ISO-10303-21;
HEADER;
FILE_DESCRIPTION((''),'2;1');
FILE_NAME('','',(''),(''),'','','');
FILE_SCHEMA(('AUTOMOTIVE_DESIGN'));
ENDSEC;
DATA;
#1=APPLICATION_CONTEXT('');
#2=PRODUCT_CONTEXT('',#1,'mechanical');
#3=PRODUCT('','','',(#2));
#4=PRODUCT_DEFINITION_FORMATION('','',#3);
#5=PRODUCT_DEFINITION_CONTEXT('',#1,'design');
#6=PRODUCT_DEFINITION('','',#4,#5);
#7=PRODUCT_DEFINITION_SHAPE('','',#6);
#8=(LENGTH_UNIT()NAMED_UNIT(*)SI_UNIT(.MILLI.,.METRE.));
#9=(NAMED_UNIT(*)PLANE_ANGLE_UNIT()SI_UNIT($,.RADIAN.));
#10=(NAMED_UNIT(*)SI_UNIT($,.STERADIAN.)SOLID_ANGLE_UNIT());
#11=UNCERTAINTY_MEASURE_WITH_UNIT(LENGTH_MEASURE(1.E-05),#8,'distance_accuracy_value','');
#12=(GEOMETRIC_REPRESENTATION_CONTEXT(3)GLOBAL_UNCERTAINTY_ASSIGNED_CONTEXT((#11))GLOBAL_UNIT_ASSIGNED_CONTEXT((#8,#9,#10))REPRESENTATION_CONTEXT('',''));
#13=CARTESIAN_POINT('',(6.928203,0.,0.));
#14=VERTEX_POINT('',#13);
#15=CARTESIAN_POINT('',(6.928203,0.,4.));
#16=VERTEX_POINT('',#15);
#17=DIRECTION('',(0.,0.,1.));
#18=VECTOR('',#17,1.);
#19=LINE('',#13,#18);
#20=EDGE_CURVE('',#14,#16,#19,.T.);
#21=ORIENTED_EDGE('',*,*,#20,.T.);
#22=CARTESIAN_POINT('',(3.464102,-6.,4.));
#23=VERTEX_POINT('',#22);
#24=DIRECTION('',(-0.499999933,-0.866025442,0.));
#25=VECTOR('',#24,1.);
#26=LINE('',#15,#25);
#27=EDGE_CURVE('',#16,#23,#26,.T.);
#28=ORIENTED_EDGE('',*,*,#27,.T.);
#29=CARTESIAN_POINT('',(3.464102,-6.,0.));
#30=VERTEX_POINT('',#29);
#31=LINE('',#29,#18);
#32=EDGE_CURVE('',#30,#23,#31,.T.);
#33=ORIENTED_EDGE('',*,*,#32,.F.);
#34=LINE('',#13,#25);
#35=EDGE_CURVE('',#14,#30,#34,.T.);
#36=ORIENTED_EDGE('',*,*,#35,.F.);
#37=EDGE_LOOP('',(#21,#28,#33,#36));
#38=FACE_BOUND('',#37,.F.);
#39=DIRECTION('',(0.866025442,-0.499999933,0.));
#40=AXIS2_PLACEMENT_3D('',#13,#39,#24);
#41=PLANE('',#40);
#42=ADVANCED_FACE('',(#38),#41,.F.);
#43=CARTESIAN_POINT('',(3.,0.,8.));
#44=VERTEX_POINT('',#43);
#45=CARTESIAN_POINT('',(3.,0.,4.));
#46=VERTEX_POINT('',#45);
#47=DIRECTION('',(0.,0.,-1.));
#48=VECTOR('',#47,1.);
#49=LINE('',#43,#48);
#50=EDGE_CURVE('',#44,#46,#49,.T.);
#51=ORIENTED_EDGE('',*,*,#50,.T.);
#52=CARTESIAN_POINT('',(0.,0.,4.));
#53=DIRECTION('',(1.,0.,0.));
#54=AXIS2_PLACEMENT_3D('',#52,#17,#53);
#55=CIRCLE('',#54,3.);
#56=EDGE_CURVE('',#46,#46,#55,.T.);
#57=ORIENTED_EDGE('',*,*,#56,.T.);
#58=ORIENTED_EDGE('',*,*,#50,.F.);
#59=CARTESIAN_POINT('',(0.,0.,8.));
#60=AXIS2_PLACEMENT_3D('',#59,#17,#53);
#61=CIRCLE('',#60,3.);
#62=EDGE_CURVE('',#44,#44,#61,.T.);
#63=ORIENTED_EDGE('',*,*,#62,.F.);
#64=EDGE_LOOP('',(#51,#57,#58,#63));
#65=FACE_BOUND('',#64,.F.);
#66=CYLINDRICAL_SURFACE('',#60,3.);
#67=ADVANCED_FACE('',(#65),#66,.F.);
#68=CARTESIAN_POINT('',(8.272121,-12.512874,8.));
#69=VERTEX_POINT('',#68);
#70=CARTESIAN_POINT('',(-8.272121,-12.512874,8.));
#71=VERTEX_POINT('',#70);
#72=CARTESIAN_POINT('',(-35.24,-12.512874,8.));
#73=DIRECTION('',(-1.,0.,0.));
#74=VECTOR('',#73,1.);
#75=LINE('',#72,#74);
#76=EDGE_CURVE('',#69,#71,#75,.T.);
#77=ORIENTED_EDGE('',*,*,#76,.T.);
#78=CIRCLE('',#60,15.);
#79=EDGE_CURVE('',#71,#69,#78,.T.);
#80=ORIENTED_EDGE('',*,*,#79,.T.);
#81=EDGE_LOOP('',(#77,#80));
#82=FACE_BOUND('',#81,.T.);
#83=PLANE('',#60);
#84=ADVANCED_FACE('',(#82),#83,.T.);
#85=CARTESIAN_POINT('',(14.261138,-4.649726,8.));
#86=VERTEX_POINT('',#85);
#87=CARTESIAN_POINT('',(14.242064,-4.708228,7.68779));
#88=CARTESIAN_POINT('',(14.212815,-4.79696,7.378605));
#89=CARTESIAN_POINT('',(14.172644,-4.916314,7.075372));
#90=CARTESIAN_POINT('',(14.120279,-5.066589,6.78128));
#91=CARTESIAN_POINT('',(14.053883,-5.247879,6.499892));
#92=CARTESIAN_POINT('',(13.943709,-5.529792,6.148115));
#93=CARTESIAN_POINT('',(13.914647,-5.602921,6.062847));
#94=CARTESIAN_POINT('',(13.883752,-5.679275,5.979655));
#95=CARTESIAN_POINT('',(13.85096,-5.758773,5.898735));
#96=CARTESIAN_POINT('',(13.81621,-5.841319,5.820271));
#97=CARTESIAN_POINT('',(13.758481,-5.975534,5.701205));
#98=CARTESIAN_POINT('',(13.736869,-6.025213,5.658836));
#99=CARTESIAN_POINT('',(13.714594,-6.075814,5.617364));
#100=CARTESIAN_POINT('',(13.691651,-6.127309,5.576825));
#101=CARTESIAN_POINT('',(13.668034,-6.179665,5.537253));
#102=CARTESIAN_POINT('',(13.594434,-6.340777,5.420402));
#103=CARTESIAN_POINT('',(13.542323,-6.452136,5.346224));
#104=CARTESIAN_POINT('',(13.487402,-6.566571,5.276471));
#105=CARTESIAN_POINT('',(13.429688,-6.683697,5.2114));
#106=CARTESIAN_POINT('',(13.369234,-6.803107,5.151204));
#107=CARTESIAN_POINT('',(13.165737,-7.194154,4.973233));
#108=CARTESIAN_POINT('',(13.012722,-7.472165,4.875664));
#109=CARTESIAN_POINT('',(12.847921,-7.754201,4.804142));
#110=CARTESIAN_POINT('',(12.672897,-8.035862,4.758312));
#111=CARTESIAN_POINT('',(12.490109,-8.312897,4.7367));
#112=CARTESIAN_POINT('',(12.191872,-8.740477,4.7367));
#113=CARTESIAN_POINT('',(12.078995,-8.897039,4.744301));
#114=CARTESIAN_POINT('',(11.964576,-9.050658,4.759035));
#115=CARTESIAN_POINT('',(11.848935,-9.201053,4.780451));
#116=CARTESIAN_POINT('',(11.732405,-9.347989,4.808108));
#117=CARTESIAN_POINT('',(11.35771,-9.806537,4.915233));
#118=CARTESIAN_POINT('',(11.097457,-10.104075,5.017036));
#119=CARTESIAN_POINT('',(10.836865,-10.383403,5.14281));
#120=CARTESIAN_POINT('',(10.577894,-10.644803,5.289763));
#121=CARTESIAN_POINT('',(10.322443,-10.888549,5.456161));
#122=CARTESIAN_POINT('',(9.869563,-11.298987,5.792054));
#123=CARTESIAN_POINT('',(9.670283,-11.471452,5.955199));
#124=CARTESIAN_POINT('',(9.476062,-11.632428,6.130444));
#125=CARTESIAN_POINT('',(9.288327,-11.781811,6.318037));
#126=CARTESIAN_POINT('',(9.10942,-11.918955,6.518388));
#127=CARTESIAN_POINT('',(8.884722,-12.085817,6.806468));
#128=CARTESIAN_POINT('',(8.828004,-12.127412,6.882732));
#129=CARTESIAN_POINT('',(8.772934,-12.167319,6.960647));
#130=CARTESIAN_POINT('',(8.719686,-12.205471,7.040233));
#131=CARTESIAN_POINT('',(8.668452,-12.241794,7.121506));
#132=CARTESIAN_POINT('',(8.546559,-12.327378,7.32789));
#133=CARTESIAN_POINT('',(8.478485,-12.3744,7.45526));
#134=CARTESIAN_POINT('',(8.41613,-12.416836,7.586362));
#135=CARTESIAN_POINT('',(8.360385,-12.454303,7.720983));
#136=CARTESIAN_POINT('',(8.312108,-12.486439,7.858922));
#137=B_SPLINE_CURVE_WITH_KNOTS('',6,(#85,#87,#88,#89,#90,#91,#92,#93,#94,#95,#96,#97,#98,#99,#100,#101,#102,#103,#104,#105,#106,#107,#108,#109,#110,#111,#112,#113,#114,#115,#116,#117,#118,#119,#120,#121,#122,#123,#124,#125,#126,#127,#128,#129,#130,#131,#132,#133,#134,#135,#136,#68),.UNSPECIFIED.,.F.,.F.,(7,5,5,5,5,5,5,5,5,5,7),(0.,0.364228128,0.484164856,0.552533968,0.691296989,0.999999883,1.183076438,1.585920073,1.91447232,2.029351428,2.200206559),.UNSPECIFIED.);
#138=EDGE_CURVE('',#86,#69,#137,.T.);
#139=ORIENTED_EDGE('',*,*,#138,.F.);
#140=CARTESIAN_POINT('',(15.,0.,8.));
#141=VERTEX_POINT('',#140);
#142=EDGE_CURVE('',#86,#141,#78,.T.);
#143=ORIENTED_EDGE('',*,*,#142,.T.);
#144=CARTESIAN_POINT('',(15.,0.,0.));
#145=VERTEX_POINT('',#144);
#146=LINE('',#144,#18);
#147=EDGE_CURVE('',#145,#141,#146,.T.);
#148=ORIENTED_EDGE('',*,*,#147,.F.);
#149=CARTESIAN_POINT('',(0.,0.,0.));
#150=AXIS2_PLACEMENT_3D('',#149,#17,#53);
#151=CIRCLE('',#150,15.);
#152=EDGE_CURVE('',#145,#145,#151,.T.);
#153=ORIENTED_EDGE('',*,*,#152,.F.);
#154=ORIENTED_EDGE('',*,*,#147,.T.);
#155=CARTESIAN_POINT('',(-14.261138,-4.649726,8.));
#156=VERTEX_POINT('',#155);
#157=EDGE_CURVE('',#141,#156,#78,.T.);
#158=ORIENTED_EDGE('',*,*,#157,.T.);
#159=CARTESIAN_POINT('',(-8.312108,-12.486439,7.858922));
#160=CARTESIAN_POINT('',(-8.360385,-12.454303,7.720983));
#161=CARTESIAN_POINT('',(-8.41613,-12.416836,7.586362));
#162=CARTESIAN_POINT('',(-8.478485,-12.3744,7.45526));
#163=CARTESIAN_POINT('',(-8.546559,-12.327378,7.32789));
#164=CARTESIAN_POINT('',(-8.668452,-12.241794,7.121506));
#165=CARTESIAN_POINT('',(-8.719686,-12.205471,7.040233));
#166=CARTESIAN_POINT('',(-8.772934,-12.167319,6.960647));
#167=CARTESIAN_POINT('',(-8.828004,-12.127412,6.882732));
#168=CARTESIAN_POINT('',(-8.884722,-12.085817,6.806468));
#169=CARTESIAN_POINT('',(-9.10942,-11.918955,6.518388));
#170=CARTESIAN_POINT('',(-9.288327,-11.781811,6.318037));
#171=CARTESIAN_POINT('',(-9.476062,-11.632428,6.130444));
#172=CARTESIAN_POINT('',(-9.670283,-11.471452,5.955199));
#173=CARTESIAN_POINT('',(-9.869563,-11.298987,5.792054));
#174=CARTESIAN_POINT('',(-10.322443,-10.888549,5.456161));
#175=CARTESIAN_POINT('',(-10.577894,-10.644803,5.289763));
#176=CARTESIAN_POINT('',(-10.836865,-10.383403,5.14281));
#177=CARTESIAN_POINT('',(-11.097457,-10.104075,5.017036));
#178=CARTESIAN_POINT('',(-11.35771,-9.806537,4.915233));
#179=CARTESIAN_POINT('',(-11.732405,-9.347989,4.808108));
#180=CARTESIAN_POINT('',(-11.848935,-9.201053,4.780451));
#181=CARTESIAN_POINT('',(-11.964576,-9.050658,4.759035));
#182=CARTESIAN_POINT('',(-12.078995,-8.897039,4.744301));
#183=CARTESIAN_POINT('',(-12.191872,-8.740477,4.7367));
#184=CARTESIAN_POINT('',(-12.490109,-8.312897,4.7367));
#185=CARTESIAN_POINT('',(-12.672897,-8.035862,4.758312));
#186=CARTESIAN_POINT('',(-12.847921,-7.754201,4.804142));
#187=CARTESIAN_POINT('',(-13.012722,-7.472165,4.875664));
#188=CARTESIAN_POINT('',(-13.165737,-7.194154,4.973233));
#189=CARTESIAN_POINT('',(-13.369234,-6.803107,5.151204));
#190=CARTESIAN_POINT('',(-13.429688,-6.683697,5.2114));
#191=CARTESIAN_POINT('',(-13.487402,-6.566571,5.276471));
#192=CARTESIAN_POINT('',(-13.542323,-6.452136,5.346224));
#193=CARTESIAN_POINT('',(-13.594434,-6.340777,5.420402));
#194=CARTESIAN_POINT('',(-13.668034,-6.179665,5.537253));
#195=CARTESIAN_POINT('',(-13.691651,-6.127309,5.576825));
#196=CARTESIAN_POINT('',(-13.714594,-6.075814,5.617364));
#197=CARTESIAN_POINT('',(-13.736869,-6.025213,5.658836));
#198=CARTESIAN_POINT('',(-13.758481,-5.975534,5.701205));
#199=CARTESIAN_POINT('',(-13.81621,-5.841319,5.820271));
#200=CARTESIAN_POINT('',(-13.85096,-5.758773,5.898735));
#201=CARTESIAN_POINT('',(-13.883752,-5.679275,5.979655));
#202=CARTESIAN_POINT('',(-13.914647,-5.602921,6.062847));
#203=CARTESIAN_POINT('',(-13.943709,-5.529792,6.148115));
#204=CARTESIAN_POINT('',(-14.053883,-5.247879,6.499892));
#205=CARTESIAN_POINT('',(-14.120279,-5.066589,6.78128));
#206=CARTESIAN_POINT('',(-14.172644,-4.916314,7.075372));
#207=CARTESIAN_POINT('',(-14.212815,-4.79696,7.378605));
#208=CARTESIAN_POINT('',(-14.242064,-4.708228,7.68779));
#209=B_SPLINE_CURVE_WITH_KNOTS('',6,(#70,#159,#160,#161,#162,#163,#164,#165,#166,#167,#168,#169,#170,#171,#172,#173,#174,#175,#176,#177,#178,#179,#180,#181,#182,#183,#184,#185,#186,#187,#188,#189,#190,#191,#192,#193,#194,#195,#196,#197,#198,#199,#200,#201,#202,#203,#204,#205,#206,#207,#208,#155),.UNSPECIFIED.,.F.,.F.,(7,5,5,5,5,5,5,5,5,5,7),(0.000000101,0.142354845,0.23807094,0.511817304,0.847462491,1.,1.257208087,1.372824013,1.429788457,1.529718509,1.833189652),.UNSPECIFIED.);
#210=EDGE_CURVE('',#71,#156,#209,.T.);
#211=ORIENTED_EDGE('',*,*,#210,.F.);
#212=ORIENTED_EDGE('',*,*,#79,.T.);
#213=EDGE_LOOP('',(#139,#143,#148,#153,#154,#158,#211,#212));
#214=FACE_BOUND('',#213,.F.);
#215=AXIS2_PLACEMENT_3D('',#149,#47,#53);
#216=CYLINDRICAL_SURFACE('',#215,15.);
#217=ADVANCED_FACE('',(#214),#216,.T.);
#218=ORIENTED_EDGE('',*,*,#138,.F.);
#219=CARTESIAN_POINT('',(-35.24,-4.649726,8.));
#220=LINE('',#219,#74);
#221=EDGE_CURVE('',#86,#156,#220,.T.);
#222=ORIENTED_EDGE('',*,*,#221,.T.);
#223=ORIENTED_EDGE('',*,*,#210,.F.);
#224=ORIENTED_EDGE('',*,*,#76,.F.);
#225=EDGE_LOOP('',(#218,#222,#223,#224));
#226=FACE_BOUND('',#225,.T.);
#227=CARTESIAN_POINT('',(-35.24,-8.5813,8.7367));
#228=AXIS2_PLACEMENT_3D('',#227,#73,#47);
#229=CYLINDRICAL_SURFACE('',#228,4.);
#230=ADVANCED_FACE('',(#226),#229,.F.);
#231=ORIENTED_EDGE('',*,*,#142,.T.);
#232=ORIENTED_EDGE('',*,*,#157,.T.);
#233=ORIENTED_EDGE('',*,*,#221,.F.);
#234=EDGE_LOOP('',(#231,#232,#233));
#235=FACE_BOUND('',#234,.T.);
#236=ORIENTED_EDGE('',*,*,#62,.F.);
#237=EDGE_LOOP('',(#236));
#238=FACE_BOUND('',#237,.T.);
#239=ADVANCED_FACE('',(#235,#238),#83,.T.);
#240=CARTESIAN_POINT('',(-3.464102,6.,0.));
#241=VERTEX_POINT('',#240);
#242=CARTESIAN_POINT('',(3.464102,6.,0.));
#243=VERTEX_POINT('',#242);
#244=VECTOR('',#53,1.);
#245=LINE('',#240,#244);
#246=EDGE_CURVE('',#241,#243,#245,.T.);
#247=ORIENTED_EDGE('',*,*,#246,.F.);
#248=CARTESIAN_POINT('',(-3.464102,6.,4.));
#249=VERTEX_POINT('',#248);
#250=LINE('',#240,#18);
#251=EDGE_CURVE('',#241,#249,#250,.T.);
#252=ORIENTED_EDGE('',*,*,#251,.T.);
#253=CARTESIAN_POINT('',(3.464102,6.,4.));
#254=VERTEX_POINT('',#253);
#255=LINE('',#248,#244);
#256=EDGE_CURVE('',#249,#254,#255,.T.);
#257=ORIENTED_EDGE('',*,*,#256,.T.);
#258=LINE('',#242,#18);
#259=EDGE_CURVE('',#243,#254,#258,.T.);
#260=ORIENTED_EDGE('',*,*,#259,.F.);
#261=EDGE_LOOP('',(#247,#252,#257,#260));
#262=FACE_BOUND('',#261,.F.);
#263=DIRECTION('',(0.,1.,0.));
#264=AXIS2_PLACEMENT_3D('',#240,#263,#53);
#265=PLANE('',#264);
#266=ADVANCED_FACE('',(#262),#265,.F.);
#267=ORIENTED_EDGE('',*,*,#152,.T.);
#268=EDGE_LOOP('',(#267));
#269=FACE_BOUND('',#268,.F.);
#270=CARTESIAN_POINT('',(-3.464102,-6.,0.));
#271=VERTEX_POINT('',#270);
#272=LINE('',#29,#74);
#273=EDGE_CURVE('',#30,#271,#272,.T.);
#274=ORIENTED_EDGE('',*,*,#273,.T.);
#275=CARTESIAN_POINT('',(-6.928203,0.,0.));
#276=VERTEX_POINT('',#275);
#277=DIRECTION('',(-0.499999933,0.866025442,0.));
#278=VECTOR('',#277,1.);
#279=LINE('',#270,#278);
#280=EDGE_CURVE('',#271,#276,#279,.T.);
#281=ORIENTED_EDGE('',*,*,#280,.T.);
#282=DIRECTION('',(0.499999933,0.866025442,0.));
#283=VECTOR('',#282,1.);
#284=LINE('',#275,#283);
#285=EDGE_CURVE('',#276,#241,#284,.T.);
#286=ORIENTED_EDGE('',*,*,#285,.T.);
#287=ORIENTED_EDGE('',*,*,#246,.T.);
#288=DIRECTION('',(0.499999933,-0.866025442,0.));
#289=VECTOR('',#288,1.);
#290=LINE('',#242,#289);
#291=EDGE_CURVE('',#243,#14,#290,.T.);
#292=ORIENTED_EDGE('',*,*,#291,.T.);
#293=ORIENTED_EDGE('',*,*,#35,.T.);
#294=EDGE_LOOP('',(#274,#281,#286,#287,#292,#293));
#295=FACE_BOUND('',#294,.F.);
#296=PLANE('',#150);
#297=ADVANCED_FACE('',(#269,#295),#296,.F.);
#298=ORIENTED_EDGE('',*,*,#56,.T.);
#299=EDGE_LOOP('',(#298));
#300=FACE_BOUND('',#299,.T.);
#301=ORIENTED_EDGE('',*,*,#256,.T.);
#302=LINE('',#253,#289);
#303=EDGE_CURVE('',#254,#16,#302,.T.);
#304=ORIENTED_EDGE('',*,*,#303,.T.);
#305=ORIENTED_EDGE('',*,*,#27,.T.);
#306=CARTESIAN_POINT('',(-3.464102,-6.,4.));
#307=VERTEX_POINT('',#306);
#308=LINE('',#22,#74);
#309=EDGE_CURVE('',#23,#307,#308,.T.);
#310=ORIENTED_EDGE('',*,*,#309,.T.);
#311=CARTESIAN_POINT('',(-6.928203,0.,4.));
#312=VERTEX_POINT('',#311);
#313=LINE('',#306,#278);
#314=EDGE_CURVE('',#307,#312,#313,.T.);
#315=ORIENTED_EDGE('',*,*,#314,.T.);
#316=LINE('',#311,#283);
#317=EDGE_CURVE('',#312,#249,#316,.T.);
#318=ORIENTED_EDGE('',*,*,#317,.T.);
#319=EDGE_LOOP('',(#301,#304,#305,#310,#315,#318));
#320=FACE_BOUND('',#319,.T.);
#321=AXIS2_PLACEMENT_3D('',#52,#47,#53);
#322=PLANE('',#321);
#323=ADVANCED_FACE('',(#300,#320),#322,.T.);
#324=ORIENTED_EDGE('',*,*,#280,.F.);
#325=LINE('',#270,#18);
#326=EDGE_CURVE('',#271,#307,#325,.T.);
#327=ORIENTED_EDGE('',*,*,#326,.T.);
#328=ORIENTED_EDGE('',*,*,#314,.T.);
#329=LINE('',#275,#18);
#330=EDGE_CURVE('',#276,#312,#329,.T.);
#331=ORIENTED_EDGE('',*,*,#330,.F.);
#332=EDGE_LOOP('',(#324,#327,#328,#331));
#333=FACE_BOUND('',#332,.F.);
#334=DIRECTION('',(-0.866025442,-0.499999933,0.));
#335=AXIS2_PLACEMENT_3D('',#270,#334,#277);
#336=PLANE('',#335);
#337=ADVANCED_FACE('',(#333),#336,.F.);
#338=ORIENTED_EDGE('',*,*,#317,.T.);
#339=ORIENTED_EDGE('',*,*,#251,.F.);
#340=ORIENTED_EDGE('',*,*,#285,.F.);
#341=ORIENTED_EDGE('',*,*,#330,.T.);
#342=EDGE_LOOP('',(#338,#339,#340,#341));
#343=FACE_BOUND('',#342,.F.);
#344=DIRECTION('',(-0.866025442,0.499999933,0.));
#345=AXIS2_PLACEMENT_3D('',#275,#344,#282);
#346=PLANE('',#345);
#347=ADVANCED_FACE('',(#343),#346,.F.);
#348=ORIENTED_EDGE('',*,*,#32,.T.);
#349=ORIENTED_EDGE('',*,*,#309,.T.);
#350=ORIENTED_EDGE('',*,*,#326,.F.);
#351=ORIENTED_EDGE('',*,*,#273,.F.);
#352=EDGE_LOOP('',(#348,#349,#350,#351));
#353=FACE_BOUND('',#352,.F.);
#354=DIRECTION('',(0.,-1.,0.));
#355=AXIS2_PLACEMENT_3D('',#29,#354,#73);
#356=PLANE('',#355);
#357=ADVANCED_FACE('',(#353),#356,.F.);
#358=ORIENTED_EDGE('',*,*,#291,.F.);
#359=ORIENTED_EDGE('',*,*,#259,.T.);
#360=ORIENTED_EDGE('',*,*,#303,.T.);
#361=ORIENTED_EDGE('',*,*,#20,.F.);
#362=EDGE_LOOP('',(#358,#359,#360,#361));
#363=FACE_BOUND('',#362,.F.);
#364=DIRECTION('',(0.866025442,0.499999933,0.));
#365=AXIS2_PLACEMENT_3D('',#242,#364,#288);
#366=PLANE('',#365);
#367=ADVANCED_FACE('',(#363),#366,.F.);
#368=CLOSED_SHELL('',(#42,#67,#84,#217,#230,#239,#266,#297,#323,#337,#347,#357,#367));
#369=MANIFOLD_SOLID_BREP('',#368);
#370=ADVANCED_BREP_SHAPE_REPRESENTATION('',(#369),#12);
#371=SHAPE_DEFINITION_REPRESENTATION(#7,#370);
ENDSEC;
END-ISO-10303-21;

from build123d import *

# Parameters (mm, degrees)
CYLINDER001_R           = 4
CYLINDER001_DEPTH       = 70
CYLINDER001_PITCH_ANGLE = 90
CYLINDER_R              = 15
CYLINDER_DEPTH          = 8
SKETCH_R                = 3
POCKET_DEPTH            = 8.001
POCKET001_DEPTH         = 4


with BuildPart() as cylinder001:
    # Cylinder001 → Cylinder001 (new body)
    with BuildSketch(Plane.XY):
        Circle(CYLINDER001_R)
    extrude(amount=CYLINDER001_DEPTH)


with BuildPart() as cylinder001_1:
    # Cylinder001 pitch: moved
    add(cylinder001.part.rotate(Axis((0, 0, 0), (0, 1, 0)), CYLINDER001_PITCH_ANGLE))


with BuildPart() as cylinder001_2:
    # Cylinder001 placement: moved
    add(cylinder001_1.part.moved(Location((-35.24, -8.5813, 8.7367))))


with BuildPart() as pocket001:
    # Cylinder → Cylinder (new body)
    with BuildSketch(Plane.XY):
        Circle(CYLINDER_R)
    extrude(amount=CYLINDER_DEPTH)

    # Sketch → Pocket (cut, through all)
    with BuildSketch(Plane.XY.offset(8)):
        Circle(SKETCH_R)
    extrude(amount=-POCKET_DEPTH, mode=Mode.SUBTRACT)

    # Cut: cut Cylinder001
    add(cylinder001_2.part, mode=Mode.SUBTRACT)

    # Sketch001 → Pocket001 (cut)
    with BuildSketch(Plane(origin=(0, 0, 0), x_dir=(1, 0, 0), z_dir=(0, 0, -1))):
        Polygon((3.464102, -6), (6.928203, 0), (3.464102, 6), (-3.464102, 6), (-6.928203, 0), (-3.464102, -6), align=None)
    extrude(amount=-POCKET001_DEPTH, mode=Mode.SUBTRACT)


solid = pocket001.part
